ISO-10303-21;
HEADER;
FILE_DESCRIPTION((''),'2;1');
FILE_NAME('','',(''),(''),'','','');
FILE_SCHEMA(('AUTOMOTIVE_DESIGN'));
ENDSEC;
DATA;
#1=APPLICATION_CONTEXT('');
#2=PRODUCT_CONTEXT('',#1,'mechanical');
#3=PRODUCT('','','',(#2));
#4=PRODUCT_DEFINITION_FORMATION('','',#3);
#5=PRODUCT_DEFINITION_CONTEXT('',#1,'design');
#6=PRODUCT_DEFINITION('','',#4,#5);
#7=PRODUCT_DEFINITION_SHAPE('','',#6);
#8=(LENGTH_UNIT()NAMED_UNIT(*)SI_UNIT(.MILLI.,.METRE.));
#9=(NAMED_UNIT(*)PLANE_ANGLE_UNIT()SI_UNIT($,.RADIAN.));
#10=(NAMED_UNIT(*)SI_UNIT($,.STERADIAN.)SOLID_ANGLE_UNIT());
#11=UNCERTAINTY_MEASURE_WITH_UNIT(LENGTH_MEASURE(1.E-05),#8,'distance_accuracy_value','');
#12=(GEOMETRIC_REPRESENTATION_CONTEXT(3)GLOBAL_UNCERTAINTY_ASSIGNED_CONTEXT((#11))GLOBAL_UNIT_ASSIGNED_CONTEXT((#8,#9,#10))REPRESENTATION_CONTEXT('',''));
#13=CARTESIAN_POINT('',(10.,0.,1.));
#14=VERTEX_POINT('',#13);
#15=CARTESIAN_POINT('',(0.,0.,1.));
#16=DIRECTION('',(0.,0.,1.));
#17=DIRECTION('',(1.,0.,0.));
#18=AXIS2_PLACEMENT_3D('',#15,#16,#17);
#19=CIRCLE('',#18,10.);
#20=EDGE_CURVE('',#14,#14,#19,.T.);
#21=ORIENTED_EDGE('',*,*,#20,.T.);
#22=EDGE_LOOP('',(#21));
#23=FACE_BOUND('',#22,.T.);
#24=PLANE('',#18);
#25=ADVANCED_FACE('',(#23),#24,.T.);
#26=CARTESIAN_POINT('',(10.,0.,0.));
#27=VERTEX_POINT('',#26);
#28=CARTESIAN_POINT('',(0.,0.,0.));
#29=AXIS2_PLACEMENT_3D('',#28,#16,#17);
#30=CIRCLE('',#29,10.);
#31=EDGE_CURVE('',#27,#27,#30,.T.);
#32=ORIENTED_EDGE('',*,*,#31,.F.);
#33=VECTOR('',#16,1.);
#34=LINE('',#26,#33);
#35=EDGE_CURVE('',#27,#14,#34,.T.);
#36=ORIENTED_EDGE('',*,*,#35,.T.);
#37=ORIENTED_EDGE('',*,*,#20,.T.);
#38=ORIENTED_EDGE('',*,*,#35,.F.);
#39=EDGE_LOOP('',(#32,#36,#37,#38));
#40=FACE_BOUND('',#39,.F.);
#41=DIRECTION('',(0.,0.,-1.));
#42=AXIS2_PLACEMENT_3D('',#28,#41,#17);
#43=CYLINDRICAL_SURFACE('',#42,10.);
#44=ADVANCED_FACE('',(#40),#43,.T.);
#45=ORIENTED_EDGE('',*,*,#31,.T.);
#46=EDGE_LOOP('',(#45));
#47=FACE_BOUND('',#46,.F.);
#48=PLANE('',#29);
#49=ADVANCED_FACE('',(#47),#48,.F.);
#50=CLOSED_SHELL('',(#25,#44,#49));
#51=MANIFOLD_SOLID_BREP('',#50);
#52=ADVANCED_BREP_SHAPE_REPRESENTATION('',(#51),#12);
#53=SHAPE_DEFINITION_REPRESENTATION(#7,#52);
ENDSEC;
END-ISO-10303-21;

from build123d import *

# Parameters (mm, degrees)
SKETCH_R  = 10
PAD_DEPTH = 1


with BuildPart() as part:
    # Sketch → Pad (new body)
    with BuildSketch(Plane.XY):
        Circle(SKETCH_R)
    extrude(amount=PAD_DEPTH)


solid = part.part
